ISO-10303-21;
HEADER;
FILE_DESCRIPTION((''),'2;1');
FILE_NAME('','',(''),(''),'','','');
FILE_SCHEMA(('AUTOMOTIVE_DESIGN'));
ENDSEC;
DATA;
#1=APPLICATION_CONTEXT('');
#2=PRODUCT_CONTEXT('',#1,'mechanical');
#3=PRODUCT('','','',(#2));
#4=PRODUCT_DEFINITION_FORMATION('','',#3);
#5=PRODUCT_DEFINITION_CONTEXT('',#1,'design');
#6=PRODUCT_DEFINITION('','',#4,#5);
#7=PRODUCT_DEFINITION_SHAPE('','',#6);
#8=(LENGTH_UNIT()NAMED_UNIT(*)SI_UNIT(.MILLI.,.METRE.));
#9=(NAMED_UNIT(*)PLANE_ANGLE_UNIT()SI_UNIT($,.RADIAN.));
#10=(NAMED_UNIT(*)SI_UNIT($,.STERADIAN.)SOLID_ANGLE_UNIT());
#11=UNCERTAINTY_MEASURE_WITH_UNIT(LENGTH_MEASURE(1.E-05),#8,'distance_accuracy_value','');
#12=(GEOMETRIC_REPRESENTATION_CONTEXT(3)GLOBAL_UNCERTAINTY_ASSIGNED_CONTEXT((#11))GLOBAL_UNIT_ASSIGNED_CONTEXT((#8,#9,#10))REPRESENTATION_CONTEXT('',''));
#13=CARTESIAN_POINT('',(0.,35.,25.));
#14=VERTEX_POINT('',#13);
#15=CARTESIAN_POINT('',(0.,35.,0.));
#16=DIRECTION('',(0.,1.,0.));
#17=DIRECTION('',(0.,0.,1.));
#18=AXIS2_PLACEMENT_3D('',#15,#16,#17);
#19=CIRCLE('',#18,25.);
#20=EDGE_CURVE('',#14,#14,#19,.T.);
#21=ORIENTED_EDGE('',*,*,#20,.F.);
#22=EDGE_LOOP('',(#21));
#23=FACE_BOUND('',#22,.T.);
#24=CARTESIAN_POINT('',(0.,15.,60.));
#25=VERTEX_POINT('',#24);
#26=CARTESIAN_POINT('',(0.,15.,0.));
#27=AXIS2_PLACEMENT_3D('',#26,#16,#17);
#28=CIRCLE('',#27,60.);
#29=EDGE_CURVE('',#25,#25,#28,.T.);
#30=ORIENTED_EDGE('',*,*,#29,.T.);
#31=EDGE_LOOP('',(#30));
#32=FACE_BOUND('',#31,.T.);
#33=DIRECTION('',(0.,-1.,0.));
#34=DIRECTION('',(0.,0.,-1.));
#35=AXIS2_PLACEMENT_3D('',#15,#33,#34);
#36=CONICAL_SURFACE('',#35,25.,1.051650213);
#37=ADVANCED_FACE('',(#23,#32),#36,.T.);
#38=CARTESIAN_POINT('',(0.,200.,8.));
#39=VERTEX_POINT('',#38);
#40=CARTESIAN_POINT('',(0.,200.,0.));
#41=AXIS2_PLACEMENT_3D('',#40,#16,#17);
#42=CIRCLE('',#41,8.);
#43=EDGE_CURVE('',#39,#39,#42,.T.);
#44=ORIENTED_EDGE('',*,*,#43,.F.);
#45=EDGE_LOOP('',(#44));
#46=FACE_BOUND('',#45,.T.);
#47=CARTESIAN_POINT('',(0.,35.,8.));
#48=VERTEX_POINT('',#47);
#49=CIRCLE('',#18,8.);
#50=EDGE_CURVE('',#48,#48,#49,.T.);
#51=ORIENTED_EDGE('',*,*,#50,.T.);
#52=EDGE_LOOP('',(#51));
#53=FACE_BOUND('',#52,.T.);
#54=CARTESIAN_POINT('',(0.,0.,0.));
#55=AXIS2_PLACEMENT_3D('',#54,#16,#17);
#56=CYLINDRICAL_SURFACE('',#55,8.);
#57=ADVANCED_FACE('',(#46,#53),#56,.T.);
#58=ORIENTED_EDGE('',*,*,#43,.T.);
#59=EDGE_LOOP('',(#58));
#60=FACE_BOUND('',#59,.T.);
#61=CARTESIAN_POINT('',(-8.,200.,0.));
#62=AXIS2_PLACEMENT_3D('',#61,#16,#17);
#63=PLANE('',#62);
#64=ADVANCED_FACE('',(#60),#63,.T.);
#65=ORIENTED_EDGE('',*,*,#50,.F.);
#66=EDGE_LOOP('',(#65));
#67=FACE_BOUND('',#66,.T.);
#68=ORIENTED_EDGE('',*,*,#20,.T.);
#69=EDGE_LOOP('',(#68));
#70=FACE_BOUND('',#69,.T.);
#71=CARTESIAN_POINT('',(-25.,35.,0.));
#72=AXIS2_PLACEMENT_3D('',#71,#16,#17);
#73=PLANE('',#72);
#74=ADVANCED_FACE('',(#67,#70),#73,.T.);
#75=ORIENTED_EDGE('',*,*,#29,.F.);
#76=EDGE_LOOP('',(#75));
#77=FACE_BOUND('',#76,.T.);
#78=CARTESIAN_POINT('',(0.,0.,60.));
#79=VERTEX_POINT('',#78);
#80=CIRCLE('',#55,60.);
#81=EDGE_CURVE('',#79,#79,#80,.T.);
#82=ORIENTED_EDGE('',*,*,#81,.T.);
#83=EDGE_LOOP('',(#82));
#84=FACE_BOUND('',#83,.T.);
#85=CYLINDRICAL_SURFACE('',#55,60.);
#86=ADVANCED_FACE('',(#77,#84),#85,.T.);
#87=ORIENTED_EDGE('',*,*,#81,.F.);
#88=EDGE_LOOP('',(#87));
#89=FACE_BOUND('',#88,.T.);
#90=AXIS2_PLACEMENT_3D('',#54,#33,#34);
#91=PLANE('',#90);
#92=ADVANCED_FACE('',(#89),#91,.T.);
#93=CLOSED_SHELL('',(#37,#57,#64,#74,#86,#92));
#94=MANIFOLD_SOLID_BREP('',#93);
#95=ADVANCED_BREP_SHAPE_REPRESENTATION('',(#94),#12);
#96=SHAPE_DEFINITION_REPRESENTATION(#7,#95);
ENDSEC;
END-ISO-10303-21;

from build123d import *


with BuildPart() as part:
    # 草图1 → 旋转1 (revolve)
    with BuildSketch(Plane.XY):
        Polygon((0, 0), (-60, 0), (-60, 15), (-25, 35), (-8, 35), (-8, 200), (0, 200), align=None)
    revolve(axis=Axis((0, 0, 0), (0, -1, 0)))


solid = part.part
